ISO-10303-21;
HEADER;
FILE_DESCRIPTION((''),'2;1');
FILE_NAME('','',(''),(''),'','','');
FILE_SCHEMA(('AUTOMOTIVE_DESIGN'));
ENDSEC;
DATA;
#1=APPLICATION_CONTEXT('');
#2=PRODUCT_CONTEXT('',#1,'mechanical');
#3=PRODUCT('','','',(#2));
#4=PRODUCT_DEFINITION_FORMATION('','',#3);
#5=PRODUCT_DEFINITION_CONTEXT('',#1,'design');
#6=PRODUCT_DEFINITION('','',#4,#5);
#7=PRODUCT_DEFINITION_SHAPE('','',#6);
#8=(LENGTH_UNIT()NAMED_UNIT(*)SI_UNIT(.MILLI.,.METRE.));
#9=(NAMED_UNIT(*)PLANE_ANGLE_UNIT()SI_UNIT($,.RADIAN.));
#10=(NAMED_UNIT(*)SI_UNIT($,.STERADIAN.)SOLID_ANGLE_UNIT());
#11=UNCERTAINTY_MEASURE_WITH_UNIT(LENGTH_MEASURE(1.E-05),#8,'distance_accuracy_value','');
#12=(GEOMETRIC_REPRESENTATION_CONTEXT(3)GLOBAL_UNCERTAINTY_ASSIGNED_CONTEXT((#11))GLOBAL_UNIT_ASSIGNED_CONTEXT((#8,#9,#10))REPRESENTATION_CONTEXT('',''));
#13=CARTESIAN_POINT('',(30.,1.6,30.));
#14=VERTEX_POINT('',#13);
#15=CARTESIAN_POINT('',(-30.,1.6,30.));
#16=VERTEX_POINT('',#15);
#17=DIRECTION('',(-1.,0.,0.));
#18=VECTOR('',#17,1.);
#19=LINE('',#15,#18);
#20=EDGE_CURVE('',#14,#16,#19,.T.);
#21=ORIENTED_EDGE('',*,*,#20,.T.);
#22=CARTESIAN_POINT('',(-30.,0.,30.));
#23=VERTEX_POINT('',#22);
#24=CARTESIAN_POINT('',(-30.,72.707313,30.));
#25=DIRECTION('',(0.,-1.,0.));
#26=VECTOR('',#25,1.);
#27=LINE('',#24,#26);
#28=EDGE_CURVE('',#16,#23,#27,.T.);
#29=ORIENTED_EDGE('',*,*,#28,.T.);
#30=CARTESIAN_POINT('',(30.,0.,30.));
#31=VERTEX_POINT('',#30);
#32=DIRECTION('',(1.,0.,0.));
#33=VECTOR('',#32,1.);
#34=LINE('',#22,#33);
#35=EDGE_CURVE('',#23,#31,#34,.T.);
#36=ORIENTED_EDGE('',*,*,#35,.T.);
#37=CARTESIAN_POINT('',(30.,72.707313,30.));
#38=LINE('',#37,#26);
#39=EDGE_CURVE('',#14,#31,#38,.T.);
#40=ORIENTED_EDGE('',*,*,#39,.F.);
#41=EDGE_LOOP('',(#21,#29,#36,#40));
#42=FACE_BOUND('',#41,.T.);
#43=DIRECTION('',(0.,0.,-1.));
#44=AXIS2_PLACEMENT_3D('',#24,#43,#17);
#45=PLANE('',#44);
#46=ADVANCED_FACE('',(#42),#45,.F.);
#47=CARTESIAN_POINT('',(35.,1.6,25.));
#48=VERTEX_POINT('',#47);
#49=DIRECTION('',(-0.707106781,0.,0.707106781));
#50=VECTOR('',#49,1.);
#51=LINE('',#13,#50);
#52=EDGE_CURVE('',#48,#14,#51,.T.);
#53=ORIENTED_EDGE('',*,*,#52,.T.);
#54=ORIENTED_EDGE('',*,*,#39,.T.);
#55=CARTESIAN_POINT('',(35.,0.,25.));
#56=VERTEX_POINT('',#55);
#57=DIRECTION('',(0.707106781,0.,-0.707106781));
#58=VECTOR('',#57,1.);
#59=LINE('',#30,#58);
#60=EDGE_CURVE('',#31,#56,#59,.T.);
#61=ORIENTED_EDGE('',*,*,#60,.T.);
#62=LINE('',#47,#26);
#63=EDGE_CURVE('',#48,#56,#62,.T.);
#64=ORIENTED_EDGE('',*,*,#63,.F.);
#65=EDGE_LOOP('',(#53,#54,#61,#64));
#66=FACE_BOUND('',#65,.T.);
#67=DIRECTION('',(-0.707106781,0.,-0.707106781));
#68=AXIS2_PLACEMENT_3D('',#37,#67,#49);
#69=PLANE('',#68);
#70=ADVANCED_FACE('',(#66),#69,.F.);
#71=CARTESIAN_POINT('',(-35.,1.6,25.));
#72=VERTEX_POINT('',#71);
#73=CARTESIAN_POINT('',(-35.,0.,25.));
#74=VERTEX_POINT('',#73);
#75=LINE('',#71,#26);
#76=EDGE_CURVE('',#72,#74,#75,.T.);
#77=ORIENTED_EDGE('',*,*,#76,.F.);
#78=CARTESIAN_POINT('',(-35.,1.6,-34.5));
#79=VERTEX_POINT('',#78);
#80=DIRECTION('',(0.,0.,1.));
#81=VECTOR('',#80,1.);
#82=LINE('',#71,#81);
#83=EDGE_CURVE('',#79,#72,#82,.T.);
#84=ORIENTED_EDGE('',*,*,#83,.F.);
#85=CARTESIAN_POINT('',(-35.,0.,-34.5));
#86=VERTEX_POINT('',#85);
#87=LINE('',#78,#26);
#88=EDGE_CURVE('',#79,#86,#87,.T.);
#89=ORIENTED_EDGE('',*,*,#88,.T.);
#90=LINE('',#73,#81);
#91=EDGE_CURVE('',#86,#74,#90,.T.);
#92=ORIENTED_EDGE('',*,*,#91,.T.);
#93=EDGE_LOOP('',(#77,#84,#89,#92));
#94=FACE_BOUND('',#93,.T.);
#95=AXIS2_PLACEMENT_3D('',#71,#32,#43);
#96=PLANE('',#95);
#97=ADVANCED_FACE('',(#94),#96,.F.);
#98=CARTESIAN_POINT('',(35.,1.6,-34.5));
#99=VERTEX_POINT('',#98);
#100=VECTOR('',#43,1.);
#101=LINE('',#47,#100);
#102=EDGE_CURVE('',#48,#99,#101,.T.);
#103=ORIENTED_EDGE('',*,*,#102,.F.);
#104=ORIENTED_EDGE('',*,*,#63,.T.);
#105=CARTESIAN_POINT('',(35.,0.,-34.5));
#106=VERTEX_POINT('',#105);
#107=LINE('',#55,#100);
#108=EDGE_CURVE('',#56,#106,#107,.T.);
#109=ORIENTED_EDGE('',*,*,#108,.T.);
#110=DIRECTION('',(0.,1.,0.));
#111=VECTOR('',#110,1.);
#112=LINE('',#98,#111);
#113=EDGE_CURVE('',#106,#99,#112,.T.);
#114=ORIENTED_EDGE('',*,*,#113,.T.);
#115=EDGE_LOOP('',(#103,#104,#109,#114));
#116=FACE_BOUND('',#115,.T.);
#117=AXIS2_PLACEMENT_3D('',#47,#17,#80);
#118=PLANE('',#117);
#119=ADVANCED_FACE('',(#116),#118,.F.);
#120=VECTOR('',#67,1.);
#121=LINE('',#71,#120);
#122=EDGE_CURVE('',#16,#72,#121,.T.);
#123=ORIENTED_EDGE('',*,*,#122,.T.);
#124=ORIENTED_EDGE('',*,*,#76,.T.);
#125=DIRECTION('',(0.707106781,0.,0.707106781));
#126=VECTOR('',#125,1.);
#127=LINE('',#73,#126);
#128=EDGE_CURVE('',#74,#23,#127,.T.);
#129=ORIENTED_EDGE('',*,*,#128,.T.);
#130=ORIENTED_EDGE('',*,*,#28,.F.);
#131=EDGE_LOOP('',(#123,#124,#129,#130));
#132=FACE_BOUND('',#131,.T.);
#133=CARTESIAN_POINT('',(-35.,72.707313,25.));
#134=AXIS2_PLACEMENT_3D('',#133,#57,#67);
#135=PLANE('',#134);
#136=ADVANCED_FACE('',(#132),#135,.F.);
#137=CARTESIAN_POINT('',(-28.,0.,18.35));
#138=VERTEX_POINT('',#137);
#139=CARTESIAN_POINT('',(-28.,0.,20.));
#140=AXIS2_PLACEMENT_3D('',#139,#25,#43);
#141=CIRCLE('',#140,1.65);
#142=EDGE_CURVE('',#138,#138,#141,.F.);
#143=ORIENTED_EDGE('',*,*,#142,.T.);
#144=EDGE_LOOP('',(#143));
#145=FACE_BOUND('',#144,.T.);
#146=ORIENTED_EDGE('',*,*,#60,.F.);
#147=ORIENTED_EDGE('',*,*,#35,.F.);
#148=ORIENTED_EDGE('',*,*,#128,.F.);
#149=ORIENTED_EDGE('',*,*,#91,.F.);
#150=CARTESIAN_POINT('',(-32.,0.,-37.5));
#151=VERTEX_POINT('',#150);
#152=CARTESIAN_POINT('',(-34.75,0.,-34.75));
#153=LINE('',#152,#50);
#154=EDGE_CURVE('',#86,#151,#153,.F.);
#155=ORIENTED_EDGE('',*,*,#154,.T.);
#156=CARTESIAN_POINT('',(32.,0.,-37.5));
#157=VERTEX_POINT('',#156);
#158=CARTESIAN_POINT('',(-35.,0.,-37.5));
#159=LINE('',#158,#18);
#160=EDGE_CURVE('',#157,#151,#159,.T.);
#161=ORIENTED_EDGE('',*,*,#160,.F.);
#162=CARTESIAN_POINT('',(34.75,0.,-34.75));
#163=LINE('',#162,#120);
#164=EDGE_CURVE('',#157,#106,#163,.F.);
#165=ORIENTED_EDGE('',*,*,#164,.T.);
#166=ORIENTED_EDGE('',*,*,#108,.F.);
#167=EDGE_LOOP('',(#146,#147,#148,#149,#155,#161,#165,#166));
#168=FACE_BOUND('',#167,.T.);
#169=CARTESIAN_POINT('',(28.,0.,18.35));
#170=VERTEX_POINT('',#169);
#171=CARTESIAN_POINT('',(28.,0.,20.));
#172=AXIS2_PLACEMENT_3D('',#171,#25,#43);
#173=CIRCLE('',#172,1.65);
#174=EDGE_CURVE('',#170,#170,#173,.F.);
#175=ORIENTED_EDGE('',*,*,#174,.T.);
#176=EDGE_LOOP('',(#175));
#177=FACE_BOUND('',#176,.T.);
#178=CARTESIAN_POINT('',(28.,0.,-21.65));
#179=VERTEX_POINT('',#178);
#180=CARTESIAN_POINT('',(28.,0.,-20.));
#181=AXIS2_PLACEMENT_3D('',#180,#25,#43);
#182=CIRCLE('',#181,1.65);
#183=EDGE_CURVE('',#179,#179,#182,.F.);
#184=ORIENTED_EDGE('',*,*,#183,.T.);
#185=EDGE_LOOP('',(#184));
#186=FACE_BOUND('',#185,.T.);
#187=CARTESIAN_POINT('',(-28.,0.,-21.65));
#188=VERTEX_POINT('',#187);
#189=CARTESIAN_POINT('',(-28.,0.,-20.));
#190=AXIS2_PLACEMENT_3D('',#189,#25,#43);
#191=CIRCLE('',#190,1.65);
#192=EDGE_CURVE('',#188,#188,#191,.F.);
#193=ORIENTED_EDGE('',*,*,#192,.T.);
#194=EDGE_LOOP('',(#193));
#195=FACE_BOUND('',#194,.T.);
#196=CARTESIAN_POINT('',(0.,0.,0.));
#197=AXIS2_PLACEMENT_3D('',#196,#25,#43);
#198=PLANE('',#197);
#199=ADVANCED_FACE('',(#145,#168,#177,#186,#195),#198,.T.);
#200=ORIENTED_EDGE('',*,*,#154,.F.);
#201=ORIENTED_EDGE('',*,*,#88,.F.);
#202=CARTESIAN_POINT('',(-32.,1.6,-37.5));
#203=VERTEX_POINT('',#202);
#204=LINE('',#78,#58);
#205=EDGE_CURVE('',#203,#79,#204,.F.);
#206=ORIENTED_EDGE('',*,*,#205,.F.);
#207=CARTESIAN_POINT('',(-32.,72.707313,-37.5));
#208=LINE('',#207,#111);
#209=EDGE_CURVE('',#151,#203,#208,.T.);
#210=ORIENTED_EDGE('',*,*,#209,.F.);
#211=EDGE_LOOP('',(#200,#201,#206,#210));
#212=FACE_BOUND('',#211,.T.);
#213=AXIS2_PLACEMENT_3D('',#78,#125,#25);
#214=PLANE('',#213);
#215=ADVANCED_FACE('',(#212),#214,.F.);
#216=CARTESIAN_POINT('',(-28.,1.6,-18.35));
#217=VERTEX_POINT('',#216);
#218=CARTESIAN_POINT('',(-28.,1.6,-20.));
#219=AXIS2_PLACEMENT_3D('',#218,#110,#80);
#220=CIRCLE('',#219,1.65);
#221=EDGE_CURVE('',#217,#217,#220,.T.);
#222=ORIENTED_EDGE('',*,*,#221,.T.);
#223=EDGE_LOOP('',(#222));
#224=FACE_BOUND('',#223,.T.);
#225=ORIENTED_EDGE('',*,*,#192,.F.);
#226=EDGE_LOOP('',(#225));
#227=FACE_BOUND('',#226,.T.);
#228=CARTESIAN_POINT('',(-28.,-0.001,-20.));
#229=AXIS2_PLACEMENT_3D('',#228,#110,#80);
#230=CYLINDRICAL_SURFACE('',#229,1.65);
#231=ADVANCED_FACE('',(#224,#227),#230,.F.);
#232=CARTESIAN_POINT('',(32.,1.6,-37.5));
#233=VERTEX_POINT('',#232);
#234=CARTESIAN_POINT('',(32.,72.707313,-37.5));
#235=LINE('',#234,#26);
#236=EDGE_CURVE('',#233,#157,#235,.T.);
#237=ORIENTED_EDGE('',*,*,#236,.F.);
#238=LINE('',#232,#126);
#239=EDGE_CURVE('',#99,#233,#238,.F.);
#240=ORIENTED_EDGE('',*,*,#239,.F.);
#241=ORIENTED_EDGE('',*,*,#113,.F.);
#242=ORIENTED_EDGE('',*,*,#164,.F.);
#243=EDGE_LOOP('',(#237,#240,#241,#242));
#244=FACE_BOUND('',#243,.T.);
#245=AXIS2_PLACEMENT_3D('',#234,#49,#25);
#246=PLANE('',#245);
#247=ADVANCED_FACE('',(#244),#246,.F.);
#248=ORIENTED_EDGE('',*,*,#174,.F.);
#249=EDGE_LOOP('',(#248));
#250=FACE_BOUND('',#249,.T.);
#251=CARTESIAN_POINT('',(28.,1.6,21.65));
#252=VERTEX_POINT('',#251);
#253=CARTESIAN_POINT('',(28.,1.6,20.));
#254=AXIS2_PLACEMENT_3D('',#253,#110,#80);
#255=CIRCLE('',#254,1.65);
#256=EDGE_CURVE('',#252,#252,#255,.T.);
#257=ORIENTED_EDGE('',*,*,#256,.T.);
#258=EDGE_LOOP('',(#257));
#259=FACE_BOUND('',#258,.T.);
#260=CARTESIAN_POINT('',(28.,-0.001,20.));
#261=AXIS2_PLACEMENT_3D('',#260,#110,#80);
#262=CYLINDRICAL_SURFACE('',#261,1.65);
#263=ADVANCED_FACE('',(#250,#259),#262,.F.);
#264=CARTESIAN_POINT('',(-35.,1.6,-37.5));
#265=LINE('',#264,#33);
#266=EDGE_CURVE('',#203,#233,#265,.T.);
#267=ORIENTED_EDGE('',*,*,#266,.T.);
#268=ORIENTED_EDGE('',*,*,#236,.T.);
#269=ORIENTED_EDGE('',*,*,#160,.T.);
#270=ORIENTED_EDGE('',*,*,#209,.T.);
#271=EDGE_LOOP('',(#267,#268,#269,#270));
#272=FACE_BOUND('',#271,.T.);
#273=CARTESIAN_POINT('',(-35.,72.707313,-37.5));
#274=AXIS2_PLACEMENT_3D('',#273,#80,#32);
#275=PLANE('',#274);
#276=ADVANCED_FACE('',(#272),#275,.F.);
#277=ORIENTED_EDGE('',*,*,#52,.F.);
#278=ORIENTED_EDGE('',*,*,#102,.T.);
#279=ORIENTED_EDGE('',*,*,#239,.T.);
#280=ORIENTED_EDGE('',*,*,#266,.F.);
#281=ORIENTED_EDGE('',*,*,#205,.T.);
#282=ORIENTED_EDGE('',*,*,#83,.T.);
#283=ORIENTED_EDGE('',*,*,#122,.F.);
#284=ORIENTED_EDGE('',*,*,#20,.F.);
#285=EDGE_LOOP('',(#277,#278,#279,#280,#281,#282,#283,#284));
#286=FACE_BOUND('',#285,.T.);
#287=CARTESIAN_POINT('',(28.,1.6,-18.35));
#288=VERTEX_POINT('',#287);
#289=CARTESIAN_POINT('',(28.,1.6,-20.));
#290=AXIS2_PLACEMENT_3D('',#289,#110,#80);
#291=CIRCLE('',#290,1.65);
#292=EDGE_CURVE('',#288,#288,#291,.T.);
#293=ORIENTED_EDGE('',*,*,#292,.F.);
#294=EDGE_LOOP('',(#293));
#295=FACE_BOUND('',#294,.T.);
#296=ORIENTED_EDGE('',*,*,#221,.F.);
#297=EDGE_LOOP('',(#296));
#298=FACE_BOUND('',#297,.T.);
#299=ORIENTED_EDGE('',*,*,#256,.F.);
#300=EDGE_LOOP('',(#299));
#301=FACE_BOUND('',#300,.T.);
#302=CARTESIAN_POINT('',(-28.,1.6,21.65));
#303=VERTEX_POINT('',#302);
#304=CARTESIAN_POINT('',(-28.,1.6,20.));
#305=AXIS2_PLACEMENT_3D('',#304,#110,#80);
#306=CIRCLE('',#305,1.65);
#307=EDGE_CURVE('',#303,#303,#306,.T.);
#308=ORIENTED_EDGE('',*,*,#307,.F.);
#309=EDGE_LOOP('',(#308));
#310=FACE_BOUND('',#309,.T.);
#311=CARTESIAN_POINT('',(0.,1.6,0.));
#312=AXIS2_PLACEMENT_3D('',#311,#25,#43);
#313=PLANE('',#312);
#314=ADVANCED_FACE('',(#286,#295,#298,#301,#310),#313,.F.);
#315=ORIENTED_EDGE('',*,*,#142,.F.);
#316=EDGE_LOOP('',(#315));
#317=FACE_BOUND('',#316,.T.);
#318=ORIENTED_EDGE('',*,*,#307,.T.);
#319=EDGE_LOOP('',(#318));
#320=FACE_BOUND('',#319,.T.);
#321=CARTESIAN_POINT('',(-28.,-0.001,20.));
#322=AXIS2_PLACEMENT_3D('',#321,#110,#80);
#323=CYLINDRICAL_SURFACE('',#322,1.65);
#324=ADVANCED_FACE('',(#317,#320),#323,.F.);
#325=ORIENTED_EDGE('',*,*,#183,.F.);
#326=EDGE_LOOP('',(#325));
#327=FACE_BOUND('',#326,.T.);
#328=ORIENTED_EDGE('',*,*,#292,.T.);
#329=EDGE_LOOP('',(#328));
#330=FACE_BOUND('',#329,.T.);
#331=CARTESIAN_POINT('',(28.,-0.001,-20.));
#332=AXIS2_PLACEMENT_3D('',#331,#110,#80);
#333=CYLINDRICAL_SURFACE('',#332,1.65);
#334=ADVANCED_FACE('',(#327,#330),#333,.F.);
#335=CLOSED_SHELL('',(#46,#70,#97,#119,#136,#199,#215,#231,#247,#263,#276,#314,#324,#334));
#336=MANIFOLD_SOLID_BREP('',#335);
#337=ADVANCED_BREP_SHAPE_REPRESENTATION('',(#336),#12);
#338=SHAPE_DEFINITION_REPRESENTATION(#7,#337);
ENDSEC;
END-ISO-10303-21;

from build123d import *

# Parameters (mm, degrees)
SKETCH_1_W          = 70
SKETCH_1_H          = 50
EXTRUDE_1_DEPTH     = 1.6
CUT_EXTRUDE_1_REACH = 45.041
SKETCH_2_R          = 1.65
SKETCH_3_W          = 70
SKETCH_3_H          = 12.5
EXTRUDE_2_DEPTH     = 1.6
CHAMFER_1_SIZE      = 3


with BuildPart() as part:
    # 草图1 → 凸台-拉伸1 (new body)
    with BuildSketch(Plane(origin=(0, 0, 0), x_dir=(1, 0, 0), z_dir=(0, 1, 0))):
        Rectangle(SKETCH_1_W, SKETCH_1_H)
    extrude(amount=EXTRUDE_1_DEPTH)

    # 草图2 → 切除-拉伸1 (cut, up to next)
    with BuildSketch(Plane(origin=(0, 1.6, 0), x_dir=(1, 0, 0), z_dir=(0, 1, 0)), mode=Mode.PRIVATE) as cut_extrude_1_sk1:
        with Locations(Location((-28, 20, 0), (0, 0, 270))):
            Circle(SKETCH_2_R)
    cut_extrude_1_tool1 = extrude(cut_extrude_1_sk1.sketch, amount=-CUT_EXTRUDE_1_REACH, mode=Mode.PRIVATE) & part.part
    # 草图2 → 切除-拉伸1 (cut, up to next)
    with BuildSketch(Plane(origin=(0, 1.6, 0), x_dir=(1, 0, 0), z_dir=(0, 1, 0)), mode=Mode.PRIVATE) as cut_extrude_1_sk2:
        with Locations(Location((-28, -20, 0), (0, 0, 270))):
            Circle(SKETCH_2_R)
    cut_extrude_1_tool2 = extrude(cut_extrude_1_sk2.sketch, amount=-CUT_EXTRUDE_1_REACH, mode=Mode.PRIVATE) & part.part
    # 草图2 → 切除-拉伸1 (cut, up to next)
    with BuildSketch(Plane(origin=(0, 1.6, 0), x_dir=(1, 0, 0), z_dir=(0, 1, 0)), mode=Mode.PRIVATE) as cut_extrude_1_sk3:
        with Locations(Location((28, -20, 0), (0, 0, 270))):
            Circle(SKETCH_2_R)
    cut_extrude_1_tool3 = extrude(cut_extrude_1_sk3.sketch, amount=-CUT_EXTRUDE_1_REACH, mode=Mode.PRIVATE) & part.part
    # 草图2 → 切除-拉伸1 (cut, up to next)
    with BuildSketch(Plane(origin=(0, 1.6, 0), x_dir=(1, 0, 0), z_dir=(0, 1, 0)), mode=Mode.PRIVATE) as cut_extrude_1_sk4:
        with Locations(Location((28, 20, 0), (0, 0, 270))):
            Circle(SKETCH_2_R)
    cut_extrude_1_tool4 = extrude(cut_extrude_1_sk4.sketch, amount=-CUT_EXTRUDE_1_REACH, mode=Mode.PRIVATE) & part.part
    add(cut_extrude_1_tool1.solids().sort_by_distance((-28, 1.6, -20))[0], mode=Mode.SUBTRACT)
    add(cut_extrude_1_tool2.solids().sort_by_distance((-28, 1.6, 20))[0], mode=Mode.SUBTRACT)
    add(cut_extrude_1_tool3.solids().sort_by_distance((28, 1.6, 20))[0], mode=Mode.SUBTRACT)
    add(cut_extrude_1_tool4.solids().sort_by_distance((28, 1.6, -20))[0], mode=Mode.SUBTRACT)

    # 草图3 → 凸台-拉伸2 (add)
    with BuildSketch(Plane(origin=(0, 0, 0), x_dir=(1, 0, 0), z_dir=(0, 1, 0))):
        Polygon((-35, -25), (-30, -30), (30, -30), (35, -25), align=None)
        with Locations((0, 31.25)):
            Rectangle(SKETCH_3_W, SKETCH_3_H)
    extrude(amount=EXTRUDE_2_DEPTH)

    # 倒角1
    chamfer_1_edges = [part.edges().sort_by_distance(p)[0] for p in [
        (35, 0.8, -37.5),
        (-35, 0.8, -37.5),
    ]]
    chamfer(chamfer_1_edges, length=CHAMFER_1_SIZE)


solid = part.part
